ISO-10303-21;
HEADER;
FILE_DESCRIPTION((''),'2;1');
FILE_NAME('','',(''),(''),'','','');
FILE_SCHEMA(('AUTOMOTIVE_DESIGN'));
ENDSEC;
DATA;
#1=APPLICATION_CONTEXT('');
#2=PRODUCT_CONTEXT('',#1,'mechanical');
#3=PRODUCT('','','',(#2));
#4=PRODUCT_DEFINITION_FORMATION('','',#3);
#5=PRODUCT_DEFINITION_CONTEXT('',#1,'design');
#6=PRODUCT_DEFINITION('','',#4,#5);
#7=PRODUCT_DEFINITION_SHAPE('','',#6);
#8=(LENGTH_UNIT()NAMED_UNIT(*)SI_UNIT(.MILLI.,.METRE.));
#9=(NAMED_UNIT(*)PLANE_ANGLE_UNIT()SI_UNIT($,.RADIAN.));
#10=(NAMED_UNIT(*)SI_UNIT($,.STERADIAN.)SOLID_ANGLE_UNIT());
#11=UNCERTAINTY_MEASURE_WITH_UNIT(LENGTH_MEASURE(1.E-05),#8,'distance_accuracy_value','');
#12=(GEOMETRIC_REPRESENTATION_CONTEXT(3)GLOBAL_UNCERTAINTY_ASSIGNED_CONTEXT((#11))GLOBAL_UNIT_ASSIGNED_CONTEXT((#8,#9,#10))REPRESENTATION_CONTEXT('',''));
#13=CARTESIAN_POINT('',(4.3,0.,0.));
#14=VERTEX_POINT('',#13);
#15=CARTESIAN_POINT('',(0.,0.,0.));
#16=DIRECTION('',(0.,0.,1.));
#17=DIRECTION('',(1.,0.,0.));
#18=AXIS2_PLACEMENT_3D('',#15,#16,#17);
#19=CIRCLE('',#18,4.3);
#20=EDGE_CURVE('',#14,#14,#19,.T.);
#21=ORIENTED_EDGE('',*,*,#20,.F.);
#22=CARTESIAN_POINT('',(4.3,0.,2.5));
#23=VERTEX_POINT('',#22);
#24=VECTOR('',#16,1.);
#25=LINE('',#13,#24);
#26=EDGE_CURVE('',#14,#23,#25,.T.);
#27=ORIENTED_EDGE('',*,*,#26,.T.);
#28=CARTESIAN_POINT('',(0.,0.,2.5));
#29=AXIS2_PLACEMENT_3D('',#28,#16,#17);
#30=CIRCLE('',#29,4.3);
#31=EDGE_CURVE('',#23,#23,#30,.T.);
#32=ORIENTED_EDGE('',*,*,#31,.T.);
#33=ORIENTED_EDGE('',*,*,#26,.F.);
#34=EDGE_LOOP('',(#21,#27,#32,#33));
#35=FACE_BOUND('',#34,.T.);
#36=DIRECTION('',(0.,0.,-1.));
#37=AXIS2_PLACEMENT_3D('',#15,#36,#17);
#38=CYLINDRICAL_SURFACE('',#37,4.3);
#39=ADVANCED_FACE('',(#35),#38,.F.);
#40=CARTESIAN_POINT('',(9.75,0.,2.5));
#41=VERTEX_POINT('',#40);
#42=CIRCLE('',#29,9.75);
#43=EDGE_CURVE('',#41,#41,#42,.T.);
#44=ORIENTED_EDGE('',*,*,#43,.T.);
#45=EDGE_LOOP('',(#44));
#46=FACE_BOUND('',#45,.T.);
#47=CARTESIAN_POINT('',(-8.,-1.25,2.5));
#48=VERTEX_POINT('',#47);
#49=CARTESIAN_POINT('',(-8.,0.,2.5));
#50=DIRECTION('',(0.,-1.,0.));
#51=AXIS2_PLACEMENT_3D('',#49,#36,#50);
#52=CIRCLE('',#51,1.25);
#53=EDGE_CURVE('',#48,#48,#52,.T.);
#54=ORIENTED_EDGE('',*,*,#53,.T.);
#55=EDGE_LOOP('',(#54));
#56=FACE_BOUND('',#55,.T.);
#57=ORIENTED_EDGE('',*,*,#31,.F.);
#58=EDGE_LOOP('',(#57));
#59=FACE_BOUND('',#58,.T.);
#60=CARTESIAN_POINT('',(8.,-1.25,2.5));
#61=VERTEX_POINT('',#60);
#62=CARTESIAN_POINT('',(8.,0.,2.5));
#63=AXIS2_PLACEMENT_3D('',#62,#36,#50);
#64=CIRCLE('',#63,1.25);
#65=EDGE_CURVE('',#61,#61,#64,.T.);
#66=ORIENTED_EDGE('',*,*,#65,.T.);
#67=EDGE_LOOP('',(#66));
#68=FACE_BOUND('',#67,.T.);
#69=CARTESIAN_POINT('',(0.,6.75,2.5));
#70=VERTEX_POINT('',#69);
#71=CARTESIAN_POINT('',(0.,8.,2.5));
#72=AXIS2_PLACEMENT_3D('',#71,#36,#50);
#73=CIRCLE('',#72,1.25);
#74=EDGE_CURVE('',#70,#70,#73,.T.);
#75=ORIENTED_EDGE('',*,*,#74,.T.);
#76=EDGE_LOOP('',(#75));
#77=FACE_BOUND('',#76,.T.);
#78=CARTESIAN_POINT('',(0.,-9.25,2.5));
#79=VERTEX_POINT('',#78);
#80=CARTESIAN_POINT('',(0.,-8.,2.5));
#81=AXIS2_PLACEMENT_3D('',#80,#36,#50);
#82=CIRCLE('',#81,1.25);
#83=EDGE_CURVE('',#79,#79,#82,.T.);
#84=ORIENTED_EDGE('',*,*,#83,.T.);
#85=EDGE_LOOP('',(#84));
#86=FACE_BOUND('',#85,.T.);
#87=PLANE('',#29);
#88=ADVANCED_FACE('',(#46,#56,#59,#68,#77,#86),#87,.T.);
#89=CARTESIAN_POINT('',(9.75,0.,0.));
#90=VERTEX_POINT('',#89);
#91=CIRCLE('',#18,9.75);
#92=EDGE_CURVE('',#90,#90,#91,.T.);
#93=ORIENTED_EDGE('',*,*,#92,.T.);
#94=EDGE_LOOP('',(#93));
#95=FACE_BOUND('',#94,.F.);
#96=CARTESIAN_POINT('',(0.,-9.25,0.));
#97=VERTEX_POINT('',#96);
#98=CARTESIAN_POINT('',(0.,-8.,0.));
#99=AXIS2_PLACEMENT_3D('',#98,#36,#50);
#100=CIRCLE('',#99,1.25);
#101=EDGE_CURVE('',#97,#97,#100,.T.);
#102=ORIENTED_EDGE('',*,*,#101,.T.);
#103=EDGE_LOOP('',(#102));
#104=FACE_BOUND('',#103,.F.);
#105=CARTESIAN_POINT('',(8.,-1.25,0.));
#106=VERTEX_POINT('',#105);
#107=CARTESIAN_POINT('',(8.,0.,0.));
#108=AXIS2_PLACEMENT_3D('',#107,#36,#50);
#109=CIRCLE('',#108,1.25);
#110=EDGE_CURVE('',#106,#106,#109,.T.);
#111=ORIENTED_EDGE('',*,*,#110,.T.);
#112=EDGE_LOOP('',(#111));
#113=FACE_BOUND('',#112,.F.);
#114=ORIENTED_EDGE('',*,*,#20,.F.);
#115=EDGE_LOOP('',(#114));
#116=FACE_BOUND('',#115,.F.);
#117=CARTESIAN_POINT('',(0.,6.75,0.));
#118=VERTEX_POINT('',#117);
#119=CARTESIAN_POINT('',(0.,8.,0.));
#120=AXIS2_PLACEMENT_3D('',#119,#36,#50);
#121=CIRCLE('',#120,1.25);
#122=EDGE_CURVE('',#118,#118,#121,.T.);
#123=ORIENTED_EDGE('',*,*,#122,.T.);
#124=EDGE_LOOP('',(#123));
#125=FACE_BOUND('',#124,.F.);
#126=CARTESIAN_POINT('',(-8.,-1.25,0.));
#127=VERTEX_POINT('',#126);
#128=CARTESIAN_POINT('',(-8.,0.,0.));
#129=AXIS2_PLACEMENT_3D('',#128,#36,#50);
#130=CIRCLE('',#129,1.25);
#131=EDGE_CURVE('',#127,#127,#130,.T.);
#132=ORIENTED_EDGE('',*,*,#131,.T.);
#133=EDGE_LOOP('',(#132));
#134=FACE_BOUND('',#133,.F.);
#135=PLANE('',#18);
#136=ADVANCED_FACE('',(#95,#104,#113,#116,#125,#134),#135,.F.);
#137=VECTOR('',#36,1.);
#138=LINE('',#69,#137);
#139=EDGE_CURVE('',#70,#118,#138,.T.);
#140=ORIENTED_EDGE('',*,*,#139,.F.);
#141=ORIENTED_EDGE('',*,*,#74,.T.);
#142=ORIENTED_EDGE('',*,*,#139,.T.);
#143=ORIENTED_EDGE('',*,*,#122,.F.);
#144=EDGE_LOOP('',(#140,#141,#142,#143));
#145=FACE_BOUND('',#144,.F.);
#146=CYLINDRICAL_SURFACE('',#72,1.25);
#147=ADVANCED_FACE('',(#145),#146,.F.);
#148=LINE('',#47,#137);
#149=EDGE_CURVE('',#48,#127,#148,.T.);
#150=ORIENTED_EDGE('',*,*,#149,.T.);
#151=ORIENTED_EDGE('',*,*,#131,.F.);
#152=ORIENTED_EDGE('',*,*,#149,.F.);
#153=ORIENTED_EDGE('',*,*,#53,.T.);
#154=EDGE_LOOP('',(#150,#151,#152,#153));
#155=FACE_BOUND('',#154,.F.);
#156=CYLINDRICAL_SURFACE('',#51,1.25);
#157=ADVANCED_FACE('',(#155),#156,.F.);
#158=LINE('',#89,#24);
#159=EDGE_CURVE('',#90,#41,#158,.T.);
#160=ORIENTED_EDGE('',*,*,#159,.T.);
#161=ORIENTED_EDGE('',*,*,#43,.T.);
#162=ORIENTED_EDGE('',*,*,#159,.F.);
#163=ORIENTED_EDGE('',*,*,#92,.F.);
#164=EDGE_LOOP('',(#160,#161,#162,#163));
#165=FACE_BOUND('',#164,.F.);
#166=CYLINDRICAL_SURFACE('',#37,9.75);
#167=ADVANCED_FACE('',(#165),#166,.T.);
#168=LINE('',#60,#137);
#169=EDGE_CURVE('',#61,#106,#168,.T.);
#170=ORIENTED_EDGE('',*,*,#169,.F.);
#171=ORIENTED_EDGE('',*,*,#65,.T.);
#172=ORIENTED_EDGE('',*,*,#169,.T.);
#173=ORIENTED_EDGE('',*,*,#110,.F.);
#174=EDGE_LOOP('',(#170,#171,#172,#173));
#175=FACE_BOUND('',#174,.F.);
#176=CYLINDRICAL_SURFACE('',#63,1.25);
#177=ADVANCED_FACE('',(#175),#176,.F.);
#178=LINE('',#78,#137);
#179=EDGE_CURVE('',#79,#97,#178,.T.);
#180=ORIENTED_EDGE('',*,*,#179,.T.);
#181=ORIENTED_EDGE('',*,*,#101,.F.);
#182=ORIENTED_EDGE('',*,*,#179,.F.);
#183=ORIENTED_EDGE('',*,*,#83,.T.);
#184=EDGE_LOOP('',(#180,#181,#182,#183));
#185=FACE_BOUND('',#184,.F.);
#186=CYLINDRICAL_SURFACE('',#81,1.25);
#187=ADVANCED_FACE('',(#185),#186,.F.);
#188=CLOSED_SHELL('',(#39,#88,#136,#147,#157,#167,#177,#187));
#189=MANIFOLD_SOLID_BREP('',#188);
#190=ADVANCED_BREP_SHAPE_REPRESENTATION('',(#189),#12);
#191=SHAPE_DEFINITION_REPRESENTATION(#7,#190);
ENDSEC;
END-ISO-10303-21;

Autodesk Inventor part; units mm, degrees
ref_plane "YZ Plane" through (0, 0, 0) normal (1, 0, 0) x (0, 1, 0)
ref_plane "XZ Plane" through (0, 0, 0) normal (0, 1, 0) x (-1, 0, 0)
ref_plane "XY Plane" through (0, 0, 0) normal (0, 0, 1) x (1, 0, 0)
sketch "スケッチ1" plane through (0, 0, 0) normal (0, 0, 1) x (1, 0, 0)
  circle A0 centre (0, 0) radius 9.75
  circle A1 centre (0, 0) radius 4.3
  dimension "d0" = 19.5
  dimension "d1" = 8.6
extrude "押し出し1" add sketch "スケッチ1" along normal blind 2.5
sketch "スケッチ2" plane through (0, 0, 2.5) normal (0, 0, 1) x (1, 0, 0)
  circle A0 centre (0, 0) radius 8
  point P0 (0, 8)
  point P1 (-8, 0)
  point P2 (0, -8)
  point P3 (8, 0)
  dimension "d4" = 16
  dimension "d7" = 360
hole "穴1" at (0, 8, 2.5) at (-8, 0, 2.5) at (0, -8, 2.5) at (8, 0, 2.5) direction (0, 0, -1) diameter 2.5 end through all
properties part number "rotor_shim_ver2"
